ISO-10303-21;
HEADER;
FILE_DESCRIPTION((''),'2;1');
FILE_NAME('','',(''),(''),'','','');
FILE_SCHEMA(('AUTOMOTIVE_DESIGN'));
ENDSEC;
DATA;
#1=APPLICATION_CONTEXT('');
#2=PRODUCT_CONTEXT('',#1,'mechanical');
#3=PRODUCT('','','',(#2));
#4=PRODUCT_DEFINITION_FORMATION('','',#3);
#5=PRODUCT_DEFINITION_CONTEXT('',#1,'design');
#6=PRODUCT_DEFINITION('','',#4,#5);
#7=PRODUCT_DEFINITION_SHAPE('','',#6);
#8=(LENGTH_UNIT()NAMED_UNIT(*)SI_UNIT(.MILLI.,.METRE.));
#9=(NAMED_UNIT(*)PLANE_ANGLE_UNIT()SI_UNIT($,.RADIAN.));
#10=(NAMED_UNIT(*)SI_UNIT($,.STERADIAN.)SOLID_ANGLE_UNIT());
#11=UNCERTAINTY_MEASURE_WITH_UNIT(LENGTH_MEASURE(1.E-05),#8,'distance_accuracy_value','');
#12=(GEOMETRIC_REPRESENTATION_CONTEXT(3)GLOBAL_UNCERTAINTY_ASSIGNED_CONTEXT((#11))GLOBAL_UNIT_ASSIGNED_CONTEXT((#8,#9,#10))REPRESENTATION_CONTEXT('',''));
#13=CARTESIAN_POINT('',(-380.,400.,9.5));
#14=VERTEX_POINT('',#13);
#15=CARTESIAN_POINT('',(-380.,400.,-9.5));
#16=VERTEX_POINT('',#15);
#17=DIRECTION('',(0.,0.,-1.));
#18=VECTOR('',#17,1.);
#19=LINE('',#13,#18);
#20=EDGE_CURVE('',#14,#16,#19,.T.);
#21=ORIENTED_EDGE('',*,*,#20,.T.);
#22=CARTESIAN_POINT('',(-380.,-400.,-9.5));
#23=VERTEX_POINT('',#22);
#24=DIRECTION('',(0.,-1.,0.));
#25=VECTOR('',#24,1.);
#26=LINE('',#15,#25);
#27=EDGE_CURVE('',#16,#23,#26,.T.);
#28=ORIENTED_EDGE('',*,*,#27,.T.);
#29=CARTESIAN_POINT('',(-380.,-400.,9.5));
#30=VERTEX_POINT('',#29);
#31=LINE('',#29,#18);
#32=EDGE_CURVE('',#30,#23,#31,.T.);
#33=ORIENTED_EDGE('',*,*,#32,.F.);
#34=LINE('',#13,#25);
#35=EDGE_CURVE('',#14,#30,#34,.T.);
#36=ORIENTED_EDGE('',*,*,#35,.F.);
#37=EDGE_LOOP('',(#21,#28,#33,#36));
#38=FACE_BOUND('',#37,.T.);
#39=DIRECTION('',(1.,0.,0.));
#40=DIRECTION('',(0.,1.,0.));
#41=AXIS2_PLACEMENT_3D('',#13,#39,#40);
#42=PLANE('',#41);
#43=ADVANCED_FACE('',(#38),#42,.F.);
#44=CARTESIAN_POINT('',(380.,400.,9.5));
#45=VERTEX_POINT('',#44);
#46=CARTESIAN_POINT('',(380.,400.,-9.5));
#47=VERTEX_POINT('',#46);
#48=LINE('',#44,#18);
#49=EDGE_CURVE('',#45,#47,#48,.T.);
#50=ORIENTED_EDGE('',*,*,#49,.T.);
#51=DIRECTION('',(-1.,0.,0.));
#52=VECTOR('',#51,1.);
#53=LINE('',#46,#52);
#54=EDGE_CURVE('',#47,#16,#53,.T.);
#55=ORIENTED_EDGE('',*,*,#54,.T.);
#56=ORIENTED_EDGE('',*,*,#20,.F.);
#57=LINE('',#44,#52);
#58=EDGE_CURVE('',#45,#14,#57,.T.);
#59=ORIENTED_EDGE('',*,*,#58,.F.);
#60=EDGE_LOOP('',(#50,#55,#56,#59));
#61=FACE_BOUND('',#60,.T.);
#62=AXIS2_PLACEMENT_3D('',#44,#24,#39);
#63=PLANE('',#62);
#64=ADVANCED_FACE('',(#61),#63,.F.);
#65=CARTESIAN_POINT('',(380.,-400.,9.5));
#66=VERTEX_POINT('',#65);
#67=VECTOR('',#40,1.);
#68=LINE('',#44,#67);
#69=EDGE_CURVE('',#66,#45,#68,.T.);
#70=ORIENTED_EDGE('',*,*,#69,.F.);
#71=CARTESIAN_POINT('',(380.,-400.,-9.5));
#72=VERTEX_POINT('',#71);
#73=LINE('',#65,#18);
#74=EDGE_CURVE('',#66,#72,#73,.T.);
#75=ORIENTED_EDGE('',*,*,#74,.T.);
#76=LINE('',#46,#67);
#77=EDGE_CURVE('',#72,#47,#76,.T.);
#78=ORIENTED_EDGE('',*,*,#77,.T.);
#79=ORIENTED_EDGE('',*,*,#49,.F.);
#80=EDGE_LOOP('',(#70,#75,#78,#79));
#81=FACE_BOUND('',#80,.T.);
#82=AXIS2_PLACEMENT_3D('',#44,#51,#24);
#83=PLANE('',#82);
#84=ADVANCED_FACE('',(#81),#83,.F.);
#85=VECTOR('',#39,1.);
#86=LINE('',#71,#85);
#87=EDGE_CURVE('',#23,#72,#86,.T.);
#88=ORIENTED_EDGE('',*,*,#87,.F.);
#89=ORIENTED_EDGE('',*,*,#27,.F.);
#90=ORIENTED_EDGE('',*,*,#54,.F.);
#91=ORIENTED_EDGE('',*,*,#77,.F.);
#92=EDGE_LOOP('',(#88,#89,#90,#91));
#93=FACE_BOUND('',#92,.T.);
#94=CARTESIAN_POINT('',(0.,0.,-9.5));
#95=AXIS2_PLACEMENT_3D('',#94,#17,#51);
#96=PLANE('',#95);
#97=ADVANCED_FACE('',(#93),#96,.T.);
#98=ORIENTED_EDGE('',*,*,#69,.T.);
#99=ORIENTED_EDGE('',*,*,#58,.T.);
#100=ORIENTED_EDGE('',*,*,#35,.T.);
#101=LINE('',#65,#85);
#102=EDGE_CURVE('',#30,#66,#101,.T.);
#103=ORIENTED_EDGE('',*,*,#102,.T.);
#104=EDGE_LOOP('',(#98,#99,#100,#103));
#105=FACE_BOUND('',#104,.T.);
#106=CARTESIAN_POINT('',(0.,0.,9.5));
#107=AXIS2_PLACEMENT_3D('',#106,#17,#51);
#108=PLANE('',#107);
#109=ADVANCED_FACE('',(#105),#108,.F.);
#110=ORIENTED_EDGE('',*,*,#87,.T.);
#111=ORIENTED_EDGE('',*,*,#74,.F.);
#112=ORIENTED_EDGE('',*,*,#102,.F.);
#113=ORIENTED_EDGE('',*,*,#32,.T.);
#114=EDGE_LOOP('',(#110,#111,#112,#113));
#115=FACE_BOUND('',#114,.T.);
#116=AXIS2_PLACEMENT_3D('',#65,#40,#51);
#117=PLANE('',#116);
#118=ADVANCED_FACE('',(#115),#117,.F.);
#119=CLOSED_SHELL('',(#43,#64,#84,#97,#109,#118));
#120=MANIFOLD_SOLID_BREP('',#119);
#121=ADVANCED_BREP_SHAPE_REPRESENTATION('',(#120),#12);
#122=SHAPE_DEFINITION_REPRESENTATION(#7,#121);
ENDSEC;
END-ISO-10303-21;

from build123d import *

# Parameters (mm, degrees)
SKIZZE1_W                       = 760
SKIZZE1_H                       = 800
AUFSATZ_LINEAR_AUSTRAGEN1_DEPTH = 9.5


with BuildPart() as part:
    # Skizze1 → Aufsatz-Linear austragen1 (new, symmetric)
    with BuildSketch(Plane.XY):
        Rectangle(SKIZZE1_W, SKIZZE1_H)
    extrude(amount=AUFSATZ_LINEAR_AUSTRAGEN1_DEPTH, both=True)


solid = part.part
